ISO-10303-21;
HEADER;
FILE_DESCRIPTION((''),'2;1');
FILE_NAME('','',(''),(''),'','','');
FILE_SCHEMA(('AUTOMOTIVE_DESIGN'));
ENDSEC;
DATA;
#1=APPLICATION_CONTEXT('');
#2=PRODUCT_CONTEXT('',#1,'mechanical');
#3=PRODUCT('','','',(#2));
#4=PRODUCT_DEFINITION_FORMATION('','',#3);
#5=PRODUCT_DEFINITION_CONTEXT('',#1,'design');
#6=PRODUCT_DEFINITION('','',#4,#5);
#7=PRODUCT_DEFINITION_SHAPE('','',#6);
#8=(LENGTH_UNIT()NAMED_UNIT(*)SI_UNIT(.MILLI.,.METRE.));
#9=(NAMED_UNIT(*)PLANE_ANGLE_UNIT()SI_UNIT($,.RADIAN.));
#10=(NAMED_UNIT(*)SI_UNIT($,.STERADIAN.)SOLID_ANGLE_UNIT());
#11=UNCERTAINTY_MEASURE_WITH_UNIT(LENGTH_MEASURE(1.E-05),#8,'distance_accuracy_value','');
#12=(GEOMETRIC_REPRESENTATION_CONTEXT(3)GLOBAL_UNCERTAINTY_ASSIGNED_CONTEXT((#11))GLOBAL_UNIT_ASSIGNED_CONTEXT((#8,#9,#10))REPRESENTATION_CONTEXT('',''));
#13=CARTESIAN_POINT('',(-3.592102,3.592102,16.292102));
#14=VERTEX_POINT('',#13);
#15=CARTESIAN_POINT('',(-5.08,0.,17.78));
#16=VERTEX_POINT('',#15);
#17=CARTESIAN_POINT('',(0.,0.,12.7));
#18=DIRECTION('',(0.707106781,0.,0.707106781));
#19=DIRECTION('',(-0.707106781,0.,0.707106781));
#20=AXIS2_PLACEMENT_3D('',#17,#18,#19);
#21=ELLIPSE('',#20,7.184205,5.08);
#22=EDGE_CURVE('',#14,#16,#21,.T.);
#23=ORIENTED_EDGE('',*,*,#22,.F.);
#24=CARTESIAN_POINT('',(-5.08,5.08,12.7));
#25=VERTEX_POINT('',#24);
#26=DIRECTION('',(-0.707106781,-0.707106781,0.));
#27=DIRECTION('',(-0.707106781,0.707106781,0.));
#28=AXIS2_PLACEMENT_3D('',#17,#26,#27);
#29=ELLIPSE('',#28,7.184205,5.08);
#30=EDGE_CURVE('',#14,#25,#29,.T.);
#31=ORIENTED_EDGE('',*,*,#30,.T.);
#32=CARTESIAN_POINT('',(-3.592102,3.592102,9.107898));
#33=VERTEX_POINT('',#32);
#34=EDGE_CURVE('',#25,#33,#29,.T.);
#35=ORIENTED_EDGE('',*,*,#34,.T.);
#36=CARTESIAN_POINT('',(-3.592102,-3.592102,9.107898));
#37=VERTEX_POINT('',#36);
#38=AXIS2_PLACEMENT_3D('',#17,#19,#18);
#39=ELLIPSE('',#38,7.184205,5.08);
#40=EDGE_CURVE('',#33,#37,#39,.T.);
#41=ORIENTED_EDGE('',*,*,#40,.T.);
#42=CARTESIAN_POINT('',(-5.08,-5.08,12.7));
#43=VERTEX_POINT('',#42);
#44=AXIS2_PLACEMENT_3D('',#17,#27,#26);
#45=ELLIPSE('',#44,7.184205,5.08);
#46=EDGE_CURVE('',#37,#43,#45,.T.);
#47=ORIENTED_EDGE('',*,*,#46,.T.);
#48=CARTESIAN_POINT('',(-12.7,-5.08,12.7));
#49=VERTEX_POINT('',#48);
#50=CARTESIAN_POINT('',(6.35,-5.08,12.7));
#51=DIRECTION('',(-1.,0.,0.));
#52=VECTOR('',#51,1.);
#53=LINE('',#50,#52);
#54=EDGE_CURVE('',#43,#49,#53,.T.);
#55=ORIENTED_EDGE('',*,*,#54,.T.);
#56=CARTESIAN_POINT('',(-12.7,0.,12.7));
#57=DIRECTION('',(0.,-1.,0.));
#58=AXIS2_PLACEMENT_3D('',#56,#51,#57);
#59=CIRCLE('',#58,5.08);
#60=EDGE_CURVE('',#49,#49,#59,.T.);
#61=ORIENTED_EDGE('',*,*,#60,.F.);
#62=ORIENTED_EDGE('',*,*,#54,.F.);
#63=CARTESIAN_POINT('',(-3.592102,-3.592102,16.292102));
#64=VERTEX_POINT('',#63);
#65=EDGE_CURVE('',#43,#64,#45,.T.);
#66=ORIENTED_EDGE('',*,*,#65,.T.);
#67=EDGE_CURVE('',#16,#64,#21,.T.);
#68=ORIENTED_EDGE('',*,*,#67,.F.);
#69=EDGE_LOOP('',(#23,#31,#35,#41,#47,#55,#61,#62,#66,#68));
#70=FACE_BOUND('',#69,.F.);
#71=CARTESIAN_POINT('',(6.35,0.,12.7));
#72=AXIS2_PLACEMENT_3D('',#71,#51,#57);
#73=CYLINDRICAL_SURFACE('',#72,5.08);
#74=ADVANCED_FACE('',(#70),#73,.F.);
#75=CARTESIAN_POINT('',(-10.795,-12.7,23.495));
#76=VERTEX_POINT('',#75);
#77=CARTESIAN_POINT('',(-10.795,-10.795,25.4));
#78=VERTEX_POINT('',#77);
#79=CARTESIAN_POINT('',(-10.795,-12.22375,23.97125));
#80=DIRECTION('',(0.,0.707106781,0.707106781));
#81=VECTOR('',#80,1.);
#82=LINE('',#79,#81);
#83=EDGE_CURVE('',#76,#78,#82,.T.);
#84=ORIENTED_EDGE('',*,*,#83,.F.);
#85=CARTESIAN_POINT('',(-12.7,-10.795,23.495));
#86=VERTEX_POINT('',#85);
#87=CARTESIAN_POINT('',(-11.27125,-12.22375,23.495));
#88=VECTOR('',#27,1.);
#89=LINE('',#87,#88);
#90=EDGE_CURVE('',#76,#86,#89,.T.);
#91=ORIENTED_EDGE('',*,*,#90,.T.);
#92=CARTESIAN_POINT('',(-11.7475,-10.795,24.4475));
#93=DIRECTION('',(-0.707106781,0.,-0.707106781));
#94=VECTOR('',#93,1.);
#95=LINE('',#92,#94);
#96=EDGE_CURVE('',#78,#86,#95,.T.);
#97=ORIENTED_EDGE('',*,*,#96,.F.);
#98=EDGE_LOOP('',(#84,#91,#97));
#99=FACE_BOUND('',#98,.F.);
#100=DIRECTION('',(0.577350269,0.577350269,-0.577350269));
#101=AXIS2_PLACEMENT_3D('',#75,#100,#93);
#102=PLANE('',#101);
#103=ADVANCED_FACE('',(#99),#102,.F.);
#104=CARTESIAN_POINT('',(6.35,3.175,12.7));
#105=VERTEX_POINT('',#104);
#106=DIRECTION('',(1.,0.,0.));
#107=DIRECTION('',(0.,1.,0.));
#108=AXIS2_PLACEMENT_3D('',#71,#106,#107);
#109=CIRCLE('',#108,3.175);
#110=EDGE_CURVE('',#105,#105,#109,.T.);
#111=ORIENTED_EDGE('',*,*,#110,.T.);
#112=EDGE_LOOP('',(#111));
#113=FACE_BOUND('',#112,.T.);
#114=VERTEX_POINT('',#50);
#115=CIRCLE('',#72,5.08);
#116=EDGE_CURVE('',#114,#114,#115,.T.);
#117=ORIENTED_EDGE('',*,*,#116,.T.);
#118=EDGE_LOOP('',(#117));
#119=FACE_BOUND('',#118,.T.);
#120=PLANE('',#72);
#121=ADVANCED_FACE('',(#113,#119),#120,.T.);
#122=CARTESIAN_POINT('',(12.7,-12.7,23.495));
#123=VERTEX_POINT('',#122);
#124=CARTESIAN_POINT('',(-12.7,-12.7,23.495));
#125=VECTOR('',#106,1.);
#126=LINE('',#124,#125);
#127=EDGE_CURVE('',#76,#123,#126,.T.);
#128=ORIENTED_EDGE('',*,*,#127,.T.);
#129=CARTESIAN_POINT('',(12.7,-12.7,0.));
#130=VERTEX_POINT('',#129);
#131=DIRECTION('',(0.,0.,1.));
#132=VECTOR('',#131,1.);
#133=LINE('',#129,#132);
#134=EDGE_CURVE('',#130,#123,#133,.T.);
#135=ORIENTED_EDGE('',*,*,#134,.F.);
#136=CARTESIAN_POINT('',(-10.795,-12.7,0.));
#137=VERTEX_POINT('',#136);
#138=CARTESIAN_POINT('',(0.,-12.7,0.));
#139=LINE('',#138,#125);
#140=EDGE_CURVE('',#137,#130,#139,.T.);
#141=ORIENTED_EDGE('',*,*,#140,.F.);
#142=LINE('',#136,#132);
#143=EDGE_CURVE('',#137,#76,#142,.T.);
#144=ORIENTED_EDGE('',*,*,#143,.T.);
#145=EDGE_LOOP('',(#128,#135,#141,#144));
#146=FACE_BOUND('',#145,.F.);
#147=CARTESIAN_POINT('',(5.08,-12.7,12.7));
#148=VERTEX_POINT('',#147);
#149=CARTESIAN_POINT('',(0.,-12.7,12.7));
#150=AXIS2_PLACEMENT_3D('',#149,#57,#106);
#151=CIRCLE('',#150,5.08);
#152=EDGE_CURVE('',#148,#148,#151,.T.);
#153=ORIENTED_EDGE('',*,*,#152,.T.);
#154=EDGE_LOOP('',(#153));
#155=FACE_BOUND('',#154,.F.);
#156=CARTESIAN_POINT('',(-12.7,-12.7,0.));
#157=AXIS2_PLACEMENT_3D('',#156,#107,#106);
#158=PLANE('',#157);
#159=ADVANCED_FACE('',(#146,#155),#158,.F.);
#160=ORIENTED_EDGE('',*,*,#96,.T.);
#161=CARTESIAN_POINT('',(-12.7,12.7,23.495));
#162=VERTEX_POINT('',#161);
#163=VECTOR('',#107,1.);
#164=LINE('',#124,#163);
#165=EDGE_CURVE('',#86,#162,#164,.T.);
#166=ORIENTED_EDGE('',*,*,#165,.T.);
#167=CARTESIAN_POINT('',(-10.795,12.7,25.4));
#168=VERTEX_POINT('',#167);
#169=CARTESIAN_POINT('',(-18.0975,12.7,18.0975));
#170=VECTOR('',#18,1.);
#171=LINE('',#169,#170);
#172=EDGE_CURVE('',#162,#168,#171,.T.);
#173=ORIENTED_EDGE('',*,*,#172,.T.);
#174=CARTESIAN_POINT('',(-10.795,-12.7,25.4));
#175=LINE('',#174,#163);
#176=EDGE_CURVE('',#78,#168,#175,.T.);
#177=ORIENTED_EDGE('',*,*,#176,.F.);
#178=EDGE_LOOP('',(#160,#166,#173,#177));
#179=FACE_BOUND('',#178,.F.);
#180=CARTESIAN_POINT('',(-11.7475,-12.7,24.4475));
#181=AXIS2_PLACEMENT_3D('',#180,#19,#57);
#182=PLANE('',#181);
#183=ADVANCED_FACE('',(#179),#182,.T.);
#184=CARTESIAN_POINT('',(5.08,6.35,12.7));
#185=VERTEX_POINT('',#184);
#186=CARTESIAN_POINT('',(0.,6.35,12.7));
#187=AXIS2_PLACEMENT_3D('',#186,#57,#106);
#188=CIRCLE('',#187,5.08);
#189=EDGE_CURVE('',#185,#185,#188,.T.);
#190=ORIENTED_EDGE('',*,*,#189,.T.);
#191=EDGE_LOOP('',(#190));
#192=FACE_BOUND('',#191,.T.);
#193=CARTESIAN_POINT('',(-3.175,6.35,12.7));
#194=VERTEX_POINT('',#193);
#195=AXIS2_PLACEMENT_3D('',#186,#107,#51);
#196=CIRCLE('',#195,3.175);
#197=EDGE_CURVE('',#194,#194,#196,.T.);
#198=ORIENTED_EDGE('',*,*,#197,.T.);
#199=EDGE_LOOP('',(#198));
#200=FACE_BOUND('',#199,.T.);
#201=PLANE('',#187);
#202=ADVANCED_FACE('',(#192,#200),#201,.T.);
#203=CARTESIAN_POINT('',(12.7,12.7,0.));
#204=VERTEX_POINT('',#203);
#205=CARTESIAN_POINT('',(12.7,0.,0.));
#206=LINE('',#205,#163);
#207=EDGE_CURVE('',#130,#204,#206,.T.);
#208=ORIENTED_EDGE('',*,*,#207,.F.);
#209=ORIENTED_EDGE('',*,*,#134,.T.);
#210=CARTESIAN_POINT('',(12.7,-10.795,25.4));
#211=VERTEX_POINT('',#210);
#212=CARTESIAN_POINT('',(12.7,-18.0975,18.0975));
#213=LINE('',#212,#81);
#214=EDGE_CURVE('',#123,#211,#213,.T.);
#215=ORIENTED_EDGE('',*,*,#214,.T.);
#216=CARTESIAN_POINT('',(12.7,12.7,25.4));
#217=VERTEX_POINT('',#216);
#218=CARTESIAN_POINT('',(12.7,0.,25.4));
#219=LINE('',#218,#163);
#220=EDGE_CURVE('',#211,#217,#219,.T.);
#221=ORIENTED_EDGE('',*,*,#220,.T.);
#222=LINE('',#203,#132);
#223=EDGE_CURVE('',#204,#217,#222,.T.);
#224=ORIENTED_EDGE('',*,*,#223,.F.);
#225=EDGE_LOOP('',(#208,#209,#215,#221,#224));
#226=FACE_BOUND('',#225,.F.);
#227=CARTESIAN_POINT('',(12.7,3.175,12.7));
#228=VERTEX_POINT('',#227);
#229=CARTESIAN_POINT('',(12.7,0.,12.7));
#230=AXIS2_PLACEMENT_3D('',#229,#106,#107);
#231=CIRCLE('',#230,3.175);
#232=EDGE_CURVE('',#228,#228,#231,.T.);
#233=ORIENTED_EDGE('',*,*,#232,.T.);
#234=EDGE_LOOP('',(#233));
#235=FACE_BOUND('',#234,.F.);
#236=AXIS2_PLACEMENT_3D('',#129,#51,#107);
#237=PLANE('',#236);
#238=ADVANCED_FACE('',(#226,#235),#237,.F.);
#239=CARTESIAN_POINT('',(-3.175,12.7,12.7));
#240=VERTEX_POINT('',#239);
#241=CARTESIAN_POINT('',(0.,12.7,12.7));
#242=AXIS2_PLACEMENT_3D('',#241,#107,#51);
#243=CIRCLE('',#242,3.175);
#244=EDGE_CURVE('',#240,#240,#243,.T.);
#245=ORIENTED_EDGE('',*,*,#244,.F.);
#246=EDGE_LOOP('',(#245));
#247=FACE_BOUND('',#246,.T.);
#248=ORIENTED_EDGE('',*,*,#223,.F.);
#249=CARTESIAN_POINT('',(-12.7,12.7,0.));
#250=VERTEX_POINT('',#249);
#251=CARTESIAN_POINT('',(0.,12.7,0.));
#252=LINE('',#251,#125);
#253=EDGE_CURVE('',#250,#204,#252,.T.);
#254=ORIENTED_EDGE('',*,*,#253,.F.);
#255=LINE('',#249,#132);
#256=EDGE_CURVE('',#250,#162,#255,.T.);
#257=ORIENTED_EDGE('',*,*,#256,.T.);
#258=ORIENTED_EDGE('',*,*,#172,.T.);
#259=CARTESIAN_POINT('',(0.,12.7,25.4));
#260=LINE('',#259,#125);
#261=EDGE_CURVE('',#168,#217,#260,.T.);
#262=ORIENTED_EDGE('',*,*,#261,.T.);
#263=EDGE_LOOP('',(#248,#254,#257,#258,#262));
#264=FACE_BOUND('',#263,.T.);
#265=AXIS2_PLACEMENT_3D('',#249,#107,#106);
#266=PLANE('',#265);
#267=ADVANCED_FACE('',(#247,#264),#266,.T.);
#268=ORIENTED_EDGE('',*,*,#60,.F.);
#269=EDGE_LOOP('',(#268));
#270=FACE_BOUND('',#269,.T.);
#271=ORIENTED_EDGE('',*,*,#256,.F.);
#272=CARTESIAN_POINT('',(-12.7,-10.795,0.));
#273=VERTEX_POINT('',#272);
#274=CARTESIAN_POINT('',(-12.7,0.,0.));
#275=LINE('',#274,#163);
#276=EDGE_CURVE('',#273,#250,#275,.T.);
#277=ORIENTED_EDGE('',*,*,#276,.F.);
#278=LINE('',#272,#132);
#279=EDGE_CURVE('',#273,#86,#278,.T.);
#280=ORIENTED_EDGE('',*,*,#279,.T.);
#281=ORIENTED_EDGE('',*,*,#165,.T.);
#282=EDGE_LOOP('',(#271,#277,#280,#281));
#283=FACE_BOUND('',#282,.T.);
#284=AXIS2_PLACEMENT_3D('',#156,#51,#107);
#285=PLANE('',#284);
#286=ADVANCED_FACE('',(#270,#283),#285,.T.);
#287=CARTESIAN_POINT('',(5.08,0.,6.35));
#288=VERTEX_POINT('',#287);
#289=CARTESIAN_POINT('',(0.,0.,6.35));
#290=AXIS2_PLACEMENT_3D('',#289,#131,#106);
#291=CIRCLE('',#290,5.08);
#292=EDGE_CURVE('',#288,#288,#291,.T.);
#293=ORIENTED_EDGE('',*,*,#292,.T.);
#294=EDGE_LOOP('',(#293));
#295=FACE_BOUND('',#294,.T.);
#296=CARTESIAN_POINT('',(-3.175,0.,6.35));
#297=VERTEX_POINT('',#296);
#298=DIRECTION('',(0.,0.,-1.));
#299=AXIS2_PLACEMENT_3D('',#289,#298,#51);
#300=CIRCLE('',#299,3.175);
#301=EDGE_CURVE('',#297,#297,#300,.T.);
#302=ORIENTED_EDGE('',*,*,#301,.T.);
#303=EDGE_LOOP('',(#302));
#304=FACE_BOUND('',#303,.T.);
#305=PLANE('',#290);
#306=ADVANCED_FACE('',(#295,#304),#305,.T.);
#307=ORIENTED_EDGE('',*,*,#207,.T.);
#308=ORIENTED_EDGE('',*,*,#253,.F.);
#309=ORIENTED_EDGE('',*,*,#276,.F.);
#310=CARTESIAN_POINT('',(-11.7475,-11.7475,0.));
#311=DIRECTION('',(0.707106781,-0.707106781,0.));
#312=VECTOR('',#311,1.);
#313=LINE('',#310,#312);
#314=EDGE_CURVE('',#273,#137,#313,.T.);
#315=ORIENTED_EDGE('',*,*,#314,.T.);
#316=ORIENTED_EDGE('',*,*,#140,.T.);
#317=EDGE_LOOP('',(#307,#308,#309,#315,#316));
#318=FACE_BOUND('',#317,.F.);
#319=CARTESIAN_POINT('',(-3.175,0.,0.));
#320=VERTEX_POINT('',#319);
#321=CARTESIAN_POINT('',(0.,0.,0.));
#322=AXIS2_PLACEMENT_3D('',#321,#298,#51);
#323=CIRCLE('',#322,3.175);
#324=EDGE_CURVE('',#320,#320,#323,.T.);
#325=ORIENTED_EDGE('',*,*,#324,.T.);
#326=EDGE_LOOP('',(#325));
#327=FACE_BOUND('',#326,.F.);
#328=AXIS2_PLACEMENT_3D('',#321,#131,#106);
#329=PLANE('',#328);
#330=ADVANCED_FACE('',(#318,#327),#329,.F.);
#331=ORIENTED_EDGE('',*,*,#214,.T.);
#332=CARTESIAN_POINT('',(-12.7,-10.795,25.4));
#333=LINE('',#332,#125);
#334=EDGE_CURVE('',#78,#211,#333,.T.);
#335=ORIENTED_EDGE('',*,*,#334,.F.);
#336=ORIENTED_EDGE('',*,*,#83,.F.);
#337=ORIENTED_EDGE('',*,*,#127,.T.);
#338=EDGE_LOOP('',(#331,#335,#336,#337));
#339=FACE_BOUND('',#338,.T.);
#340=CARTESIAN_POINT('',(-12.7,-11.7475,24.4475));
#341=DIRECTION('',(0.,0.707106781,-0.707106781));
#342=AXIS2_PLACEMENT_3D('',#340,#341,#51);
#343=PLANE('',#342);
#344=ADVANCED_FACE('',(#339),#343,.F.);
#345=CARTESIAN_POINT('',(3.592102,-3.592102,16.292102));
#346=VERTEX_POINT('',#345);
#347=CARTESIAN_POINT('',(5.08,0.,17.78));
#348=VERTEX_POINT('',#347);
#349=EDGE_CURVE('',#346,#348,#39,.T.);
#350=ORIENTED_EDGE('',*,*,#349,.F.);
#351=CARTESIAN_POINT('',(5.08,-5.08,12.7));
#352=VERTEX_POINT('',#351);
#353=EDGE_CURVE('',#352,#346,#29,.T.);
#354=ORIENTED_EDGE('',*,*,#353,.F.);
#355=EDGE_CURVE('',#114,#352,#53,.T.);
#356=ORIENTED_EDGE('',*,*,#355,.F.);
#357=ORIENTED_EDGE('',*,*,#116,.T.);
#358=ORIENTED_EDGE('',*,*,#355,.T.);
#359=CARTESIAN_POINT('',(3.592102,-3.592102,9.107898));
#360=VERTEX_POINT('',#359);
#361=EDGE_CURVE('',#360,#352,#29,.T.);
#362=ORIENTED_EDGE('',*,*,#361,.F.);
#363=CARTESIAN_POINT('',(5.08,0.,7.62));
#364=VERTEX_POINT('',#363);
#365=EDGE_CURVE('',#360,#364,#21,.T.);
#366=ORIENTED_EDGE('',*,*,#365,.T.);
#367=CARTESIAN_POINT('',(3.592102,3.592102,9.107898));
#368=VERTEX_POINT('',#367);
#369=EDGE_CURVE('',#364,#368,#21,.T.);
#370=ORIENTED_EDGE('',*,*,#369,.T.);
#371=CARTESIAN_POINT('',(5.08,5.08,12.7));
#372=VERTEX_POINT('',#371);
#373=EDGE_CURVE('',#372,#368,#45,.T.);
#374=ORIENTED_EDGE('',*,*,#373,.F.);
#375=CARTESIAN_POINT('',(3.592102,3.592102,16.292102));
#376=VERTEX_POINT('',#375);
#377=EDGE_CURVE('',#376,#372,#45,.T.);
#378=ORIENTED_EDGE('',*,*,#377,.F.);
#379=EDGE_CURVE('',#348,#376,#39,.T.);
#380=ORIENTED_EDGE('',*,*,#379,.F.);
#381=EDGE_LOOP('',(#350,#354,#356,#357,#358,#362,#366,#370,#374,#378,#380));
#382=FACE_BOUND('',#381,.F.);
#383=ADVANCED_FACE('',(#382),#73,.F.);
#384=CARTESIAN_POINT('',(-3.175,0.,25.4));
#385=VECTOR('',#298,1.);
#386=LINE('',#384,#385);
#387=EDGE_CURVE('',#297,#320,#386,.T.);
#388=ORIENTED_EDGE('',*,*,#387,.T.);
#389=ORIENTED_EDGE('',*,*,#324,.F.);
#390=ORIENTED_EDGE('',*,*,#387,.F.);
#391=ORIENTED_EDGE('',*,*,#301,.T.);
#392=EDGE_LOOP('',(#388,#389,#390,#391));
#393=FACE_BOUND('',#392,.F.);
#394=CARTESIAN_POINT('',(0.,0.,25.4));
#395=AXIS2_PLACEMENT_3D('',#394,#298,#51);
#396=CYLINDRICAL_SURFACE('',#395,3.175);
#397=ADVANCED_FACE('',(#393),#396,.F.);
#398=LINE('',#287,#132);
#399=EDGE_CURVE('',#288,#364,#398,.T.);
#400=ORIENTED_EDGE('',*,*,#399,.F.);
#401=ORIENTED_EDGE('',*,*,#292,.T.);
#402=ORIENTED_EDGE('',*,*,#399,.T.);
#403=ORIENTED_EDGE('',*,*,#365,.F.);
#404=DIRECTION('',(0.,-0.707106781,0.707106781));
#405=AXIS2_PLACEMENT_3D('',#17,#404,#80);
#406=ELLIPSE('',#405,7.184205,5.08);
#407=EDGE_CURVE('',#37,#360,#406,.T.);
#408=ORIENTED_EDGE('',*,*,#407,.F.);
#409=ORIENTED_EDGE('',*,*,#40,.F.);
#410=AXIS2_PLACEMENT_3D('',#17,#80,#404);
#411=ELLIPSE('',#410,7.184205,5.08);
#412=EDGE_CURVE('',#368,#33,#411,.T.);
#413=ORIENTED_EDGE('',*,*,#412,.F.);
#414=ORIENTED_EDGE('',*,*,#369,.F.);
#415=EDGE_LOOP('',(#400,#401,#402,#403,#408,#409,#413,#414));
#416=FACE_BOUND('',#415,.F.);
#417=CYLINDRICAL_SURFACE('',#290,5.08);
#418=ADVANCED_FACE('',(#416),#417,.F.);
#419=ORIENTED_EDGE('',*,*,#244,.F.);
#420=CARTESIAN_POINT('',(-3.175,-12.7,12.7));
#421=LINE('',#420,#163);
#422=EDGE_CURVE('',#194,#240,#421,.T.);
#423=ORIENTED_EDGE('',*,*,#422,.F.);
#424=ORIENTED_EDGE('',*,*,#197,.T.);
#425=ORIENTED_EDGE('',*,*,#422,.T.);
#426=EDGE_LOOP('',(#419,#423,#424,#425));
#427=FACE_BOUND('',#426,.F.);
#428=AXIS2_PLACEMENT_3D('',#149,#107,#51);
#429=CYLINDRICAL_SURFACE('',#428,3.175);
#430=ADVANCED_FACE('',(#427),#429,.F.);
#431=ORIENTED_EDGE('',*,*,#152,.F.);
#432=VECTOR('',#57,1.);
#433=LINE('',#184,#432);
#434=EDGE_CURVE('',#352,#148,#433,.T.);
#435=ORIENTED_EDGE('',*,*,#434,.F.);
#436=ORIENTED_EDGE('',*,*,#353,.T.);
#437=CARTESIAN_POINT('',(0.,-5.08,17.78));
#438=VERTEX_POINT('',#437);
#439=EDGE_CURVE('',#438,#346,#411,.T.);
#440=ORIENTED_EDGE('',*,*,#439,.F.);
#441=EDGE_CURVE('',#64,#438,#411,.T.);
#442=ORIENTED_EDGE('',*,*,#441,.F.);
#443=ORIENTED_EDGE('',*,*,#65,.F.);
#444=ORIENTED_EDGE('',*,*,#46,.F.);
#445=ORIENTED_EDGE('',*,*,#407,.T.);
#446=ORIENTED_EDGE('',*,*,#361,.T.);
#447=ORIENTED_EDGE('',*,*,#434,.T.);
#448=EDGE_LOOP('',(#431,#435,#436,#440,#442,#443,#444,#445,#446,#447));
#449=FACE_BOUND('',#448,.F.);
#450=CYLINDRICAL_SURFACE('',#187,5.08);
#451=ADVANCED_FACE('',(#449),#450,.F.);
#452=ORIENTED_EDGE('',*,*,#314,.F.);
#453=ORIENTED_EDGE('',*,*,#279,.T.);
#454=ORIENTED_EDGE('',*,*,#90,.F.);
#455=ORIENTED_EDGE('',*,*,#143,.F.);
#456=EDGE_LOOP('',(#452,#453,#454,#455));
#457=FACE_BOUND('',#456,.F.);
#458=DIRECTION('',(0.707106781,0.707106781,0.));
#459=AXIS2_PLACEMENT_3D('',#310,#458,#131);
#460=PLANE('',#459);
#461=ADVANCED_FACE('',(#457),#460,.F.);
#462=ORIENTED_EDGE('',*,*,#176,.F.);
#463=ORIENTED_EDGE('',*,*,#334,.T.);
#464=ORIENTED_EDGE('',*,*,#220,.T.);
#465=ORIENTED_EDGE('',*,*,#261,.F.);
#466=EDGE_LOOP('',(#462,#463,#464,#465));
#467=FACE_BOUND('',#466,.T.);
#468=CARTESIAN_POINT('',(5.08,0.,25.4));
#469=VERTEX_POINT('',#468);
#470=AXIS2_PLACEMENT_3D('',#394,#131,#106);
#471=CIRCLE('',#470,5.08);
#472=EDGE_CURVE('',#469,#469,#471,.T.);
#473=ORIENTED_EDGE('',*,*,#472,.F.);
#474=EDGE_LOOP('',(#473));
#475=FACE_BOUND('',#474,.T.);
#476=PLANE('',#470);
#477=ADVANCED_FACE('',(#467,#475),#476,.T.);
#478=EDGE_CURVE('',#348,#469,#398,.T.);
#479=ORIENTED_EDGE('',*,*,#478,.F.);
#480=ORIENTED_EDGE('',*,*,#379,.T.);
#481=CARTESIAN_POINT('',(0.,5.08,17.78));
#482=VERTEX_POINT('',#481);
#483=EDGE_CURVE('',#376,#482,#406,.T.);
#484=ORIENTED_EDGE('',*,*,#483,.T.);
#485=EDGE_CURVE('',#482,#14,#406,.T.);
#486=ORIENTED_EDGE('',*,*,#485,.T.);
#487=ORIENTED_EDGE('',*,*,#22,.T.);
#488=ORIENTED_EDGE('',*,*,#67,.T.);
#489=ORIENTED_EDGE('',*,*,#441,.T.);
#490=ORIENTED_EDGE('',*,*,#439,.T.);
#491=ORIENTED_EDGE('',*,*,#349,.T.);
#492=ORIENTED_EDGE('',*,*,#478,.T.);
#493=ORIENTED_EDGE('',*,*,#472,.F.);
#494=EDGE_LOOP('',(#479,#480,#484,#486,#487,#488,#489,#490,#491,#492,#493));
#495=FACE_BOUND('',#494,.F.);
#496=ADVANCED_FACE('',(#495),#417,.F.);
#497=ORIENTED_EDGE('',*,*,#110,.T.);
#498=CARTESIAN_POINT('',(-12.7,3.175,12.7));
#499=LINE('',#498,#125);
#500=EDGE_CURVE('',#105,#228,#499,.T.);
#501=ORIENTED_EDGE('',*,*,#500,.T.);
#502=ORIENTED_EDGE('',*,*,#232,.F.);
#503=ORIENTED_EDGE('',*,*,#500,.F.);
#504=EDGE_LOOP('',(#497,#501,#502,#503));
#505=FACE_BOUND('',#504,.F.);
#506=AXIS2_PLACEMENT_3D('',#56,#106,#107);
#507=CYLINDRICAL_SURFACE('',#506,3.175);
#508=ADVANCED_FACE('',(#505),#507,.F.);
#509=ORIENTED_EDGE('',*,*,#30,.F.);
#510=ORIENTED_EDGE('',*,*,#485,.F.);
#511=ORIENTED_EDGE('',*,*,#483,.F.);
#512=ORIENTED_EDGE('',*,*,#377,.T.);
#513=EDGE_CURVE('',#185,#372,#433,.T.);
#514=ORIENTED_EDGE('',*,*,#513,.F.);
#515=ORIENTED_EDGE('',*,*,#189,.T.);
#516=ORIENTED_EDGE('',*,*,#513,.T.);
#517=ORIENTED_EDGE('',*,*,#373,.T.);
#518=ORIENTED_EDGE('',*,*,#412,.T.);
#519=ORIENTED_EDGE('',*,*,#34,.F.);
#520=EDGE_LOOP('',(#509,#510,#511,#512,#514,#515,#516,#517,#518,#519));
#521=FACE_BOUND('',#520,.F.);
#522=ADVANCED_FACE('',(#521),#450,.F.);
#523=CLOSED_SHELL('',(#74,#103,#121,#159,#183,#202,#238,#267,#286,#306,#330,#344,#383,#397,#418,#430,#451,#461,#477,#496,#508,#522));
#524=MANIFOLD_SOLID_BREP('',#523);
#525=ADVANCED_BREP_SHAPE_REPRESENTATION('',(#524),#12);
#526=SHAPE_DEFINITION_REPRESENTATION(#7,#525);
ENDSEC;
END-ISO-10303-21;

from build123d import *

# Parameters (mm, degrees)
F0_W                 = 25.4
F0_H                 = 25.4
F1_DEPTH             = 25.4
F5_D                 = 6.35
F5_CBORE_D           = 10.16
F5_CBORE_DEPTH       = 19.05
F5_ON_F4_D           = 6.35
F5_ON_F4_CBORE_D     = 10.16
F5_ON_F4_CBORE_DEPTH = 19.05
F5_ON_F3_D           = 6.35
F5_ON_F3_CBORE_D     = 10.16
F5_ON_F3_CBORE_DEPTH = 19.05
F6_SIZE              = 1.905


with BuildPart() as f1:
    # F0 (on Top) → F1 (new body)
    with BuildSketch(Plane.XY):
        Rectangle(F0_W, F0_H)
    extrude(amount=F1_DEPTH)

    # F5 (through all)
    with Locations(Plane.XY.offset(25.4)):
        with Locations((0, 0)):
            CounterBoreHole(F5_D / 2, F5_CBORE_D / 2, F5_CBORE_DEPTH)

    # F5 on F4 (through all)
    with Locations(Plane(origin=(-12.7, 0, 0), x_dir=(0, -1, 0), z_dir=(-1, 0, 0))):
        with Locations((0, 12.7)):
            CounterBoreHole(F5_ON_F4_D / 2, F5_ON_F4_CBORE_D / 2, F5_ON_F4_CBORE_DEPTH)

    # F5 on F3 (through all)
    with Locations(Plane.XZ.offset(12.7)):
        with Locations((0, 12.7)):
            CounterBoreHole(F5_ON_F3_D / 2, F5_ON_F3_CBORE_D / 2, F5_ON_F3_CBORE_DEPTH)

    # F6
    f6_edges = [f1.edges().sort_by_distance(p)[0] for p in [
        (-12.7, 0, 25.4),
        (0, -12.7, 25.4),
        (-12.7, -12.7, 12.7),
    ]]
    chamfer(f6_edges, length=F6_SIZE)


solid = f1.part
